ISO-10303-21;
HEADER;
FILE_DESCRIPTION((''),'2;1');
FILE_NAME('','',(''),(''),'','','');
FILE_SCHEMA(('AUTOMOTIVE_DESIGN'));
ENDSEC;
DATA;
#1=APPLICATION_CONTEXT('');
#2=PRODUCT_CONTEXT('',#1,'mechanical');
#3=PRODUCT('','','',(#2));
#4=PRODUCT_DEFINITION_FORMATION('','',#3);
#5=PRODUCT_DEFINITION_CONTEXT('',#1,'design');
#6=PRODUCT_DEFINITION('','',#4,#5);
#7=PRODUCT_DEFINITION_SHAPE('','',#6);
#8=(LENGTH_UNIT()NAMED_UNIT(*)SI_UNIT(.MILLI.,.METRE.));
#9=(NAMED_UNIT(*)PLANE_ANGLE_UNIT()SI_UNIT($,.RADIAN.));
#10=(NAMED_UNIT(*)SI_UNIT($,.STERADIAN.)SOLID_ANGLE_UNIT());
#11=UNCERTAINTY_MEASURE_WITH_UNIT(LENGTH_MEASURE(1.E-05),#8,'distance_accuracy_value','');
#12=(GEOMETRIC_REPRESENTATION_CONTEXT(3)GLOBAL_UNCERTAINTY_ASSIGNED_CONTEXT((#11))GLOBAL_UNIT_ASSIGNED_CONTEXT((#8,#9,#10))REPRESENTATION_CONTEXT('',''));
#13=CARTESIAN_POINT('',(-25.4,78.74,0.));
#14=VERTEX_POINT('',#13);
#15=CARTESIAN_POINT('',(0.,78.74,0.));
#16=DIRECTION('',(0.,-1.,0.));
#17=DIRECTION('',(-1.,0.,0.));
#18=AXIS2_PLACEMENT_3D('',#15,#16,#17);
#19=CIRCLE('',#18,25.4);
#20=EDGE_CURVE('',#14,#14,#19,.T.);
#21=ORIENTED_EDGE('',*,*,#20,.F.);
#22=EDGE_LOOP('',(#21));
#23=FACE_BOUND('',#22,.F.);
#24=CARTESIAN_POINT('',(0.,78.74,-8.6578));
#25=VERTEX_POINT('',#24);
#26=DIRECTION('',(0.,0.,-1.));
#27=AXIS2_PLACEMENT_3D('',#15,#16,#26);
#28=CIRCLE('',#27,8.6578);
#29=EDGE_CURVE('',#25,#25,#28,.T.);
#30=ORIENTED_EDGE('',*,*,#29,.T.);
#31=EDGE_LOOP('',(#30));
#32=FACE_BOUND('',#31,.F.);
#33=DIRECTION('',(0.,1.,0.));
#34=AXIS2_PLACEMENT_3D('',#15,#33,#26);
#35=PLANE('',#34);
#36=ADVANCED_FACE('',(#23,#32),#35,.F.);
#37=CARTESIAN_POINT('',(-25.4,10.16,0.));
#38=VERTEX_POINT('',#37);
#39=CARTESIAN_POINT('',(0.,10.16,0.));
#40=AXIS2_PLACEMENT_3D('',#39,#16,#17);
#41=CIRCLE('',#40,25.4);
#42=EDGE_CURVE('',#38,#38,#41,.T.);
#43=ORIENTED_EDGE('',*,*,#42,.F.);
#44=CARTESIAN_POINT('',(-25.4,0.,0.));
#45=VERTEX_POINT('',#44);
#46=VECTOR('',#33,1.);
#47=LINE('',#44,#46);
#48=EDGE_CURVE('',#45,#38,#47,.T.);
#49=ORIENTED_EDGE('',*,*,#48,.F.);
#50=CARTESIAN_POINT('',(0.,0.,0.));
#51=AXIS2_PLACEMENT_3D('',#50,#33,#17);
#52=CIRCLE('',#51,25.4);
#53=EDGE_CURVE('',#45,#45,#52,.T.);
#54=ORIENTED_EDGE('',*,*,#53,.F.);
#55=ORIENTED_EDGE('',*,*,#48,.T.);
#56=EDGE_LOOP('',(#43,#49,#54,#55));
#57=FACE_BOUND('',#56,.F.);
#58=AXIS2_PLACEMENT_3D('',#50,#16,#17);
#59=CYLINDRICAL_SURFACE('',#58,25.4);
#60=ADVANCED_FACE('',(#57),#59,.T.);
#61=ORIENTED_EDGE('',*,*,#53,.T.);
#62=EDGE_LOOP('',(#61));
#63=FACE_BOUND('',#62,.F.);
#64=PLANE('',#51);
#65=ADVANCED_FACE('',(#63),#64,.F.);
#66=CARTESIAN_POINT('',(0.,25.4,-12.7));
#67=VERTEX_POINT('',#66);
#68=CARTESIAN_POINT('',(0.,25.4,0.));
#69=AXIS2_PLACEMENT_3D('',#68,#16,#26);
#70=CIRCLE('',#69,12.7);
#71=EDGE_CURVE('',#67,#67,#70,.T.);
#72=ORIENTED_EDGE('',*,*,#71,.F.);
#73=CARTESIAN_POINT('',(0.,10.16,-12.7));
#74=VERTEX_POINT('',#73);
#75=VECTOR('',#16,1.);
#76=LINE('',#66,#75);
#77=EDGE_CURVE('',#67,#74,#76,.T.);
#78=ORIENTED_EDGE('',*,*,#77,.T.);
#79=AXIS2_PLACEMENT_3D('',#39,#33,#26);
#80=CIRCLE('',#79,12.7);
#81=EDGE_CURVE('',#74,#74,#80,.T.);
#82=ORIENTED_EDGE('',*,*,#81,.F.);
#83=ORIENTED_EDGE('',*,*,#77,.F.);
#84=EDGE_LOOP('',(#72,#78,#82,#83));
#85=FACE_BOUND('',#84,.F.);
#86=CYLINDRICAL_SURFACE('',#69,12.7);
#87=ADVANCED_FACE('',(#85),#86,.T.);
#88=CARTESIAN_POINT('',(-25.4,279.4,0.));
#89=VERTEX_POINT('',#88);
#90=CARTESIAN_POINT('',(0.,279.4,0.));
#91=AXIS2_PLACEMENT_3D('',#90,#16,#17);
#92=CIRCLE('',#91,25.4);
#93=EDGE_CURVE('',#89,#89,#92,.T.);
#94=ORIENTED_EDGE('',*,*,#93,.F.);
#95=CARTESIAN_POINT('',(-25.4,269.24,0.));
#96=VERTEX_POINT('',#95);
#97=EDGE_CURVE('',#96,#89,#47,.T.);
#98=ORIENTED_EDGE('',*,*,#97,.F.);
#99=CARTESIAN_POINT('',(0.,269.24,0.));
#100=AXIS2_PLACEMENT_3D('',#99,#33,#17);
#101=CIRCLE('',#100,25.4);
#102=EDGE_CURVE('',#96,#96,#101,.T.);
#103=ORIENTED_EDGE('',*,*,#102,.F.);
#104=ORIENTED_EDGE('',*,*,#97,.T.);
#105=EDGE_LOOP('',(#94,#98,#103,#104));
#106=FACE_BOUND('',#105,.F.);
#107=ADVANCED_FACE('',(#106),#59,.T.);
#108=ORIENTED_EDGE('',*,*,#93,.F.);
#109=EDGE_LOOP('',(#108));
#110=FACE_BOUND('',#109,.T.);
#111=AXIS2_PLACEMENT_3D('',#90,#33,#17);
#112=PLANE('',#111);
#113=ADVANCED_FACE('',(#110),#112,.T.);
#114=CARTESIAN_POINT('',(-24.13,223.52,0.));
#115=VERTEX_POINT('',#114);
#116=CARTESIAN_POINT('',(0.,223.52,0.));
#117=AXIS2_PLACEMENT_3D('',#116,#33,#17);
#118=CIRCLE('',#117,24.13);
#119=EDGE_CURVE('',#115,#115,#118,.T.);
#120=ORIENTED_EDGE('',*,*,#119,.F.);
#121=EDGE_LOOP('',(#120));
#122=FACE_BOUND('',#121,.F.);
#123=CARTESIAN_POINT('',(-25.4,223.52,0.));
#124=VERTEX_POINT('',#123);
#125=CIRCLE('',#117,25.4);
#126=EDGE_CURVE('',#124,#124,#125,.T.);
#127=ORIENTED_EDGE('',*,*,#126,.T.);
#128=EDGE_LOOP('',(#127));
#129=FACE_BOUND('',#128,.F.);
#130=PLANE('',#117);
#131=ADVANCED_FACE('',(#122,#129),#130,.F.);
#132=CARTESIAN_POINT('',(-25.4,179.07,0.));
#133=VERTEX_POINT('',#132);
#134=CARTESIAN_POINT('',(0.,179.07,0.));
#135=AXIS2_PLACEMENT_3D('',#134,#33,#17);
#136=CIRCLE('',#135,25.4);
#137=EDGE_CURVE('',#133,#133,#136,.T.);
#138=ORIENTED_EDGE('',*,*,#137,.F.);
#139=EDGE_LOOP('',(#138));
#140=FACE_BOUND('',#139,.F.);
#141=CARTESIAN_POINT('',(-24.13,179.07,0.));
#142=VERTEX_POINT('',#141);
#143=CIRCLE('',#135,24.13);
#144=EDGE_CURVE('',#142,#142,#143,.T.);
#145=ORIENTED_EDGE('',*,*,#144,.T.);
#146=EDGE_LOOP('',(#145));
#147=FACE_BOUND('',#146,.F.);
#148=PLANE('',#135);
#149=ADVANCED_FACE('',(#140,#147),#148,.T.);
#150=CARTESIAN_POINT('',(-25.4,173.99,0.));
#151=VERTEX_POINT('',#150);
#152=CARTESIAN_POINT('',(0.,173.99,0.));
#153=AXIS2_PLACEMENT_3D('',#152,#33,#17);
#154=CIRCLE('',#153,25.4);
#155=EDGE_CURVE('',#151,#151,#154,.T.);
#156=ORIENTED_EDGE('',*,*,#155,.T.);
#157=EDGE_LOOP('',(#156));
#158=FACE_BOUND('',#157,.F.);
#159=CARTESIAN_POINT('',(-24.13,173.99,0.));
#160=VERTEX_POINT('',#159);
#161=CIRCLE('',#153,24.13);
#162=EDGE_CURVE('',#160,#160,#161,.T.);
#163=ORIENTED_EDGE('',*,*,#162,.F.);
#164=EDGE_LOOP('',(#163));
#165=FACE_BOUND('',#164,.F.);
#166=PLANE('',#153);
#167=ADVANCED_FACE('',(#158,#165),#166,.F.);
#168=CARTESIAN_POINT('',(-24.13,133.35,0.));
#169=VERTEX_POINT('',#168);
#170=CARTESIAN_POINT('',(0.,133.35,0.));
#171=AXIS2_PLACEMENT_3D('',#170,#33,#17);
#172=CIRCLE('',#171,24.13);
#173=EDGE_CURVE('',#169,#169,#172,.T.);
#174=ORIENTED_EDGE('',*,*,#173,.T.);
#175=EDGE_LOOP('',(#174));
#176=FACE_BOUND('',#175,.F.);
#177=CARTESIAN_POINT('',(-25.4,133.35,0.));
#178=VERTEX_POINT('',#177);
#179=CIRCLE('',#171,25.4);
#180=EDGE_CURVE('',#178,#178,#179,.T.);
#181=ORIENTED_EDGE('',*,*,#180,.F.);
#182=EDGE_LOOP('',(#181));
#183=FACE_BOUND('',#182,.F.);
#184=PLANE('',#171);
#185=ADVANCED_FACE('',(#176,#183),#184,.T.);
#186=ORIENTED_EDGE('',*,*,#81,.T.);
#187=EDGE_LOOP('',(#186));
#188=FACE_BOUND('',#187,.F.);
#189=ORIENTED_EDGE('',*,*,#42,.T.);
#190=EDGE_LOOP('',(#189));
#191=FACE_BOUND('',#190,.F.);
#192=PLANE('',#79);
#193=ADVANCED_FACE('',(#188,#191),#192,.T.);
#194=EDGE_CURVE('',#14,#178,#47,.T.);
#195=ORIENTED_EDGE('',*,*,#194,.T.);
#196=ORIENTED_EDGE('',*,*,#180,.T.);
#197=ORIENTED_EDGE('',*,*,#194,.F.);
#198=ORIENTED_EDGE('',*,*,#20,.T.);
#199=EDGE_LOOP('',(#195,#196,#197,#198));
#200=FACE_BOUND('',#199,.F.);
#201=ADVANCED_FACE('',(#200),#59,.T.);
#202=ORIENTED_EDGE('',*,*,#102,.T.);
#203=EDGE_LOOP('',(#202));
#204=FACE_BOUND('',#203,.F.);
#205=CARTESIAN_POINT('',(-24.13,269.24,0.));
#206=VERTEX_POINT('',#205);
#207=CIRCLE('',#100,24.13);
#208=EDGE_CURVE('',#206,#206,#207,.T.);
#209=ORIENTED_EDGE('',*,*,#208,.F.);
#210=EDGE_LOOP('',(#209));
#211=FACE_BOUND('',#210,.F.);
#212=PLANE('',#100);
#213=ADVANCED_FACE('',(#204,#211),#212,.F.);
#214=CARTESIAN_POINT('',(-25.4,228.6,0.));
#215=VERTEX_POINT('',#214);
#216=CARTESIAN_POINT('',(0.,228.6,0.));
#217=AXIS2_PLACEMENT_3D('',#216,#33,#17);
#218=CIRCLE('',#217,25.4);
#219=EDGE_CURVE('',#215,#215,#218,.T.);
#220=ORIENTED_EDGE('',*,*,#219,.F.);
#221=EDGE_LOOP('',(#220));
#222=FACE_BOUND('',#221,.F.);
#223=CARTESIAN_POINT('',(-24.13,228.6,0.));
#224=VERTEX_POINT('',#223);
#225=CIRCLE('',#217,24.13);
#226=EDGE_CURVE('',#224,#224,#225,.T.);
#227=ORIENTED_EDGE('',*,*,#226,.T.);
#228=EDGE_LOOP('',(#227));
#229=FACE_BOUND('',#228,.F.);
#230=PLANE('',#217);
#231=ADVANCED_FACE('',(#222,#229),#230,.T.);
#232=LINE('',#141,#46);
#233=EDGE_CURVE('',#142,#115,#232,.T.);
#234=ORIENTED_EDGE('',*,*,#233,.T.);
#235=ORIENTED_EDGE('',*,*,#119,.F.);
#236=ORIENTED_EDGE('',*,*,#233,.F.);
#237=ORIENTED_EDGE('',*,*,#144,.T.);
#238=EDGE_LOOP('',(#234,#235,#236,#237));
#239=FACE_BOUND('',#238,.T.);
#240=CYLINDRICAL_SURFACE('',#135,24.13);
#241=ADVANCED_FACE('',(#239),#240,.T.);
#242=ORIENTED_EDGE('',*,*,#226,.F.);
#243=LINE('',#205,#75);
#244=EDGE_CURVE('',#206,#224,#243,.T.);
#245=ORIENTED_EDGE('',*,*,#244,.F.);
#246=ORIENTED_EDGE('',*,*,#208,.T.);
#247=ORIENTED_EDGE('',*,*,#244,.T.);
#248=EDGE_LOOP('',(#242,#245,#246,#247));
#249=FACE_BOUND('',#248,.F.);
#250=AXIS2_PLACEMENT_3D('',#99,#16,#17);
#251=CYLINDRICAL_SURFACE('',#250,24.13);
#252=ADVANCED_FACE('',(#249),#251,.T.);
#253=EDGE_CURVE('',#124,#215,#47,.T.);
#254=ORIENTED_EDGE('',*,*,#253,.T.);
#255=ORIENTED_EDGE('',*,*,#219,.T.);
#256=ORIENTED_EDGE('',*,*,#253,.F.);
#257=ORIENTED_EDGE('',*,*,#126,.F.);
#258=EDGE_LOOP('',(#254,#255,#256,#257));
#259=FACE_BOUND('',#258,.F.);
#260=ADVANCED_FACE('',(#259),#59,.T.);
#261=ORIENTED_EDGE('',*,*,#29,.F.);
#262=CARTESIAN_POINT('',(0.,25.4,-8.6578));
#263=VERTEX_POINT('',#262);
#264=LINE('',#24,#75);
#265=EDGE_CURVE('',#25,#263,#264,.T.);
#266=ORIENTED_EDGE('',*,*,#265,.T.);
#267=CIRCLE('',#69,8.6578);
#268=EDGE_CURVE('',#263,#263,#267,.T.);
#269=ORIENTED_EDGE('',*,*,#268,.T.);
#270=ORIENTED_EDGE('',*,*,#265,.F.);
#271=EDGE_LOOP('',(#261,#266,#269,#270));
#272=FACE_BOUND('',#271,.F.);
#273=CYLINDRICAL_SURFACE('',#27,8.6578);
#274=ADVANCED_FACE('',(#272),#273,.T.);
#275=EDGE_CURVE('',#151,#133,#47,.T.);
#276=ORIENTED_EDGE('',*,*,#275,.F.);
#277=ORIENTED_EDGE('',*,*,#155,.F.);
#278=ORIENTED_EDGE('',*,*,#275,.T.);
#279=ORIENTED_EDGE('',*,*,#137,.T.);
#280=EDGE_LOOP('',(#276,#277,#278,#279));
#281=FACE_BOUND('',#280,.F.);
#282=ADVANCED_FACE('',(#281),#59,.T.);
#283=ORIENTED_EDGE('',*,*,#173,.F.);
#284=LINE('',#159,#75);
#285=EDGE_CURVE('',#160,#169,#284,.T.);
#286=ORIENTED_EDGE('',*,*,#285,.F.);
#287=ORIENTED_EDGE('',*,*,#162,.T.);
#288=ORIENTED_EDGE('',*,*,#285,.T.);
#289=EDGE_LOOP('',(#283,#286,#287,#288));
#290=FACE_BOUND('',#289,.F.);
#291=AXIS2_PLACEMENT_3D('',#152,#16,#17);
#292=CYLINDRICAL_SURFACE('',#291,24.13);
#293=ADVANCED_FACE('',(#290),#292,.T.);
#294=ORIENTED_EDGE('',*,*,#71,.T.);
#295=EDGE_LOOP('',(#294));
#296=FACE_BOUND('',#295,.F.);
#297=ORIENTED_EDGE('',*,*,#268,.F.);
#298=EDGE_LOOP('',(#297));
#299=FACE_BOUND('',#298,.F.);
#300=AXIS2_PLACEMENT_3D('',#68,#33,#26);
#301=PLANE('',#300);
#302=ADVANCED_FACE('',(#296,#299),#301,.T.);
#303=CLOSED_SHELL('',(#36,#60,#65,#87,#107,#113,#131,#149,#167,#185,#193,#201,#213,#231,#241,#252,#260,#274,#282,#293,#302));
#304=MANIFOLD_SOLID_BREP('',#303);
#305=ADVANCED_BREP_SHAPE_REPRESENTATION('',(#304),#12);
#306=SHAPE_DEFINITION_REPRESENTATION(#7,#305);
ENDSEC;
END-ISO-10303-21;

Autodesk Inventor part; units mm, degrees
ref_plane "YZ Plane" through (0, 0, 0) normal (1, 0, 0) x (0, 1, 0)
ref_plane "XZ Plane" through (0, 0, 0) normal (0, 1, 0) x (-1, 0, 0)
ref_plane "XY Plane" through (0, 0, 0) normal (0, 0, 1) x (1, 0, 0)
sketch "Sketch1" plane through (0, 0, 0) normal (0, 1, 0) x (-1, 0, 0)
  line L0 (0, -35.56) -> (0, 35.56) projected
  line L1 (-35.56, 0) -> (35.56, 0) projected
  circle A0 centre (0, 0) radius 25.4
  dimension "d0" = 50.8
extrude "Extrusion1" add sketch "Sketch1" along normal blind 279.4
sketch "Sketch2" plane through (0, 0, 0) normal (1, 0, 0) x (0, 1, 0)
  line L0 (279.4, -25.4) -> (279.4, 25.4) projected
  line L1 (0, 25.4) -> (0, -25.4) projected
  line L2 (0, -25.4) -> (279.4, -25.4) projected
  line L3 (0, 25.4) -> (10.16, 25.4)
  line L4 (10.16, 25.4) -> (10.16, -25.4)
  line L5 (10.16, -25.4) -> (0, -25.4)
  line L6 (0, -25.4) -> (0, 25.4)
  line L7 (-5.08, 12.7) -> (25.4, 12.7)
  line L8 (25.4, 12.7) -> (25.4, -12.7)
  line L9 (25.4, -12.7) -> (-5.08, -12.7)
  line L10 (-5.08, -12.7) -> (-5.08, 12.7)
  line L11 (-5.08, 12.7) -> (25.4, -12.7) construction
  line L12 (25.4, 12.7) -> (-5.08, -12.7) construction
  line L13 (-27.94, 8.6578) -> (78.74, 8.6578)
  line L14 (78.74, 8.6578) -> (78.74, -8.6578)
  line L15 (78.74, -8.6578) -> (-27.94, -8.6578)
  line L16 (-27.94, -8.6578) -> (-27.94, 8.6578)
  line L17 (-27.94, 8.6578) -> (78.74, -8.6578) construction
  line L18 (78.74, 8.6578) -> (-27.94, -8.6578) construction
  line L19 (78.74, 25.4) -> (0, 25.4)
  line L20 (0, 25.4) -> (0, -25.4)
  line L21 (0, -25.4) -> (78.74, -25.4)
  line L22 (78.74, -25.4) -> (78.74, 25.4)
  line L23 (25.4, 8.6578) -> (78.74, 8.6578)
  line L24 (78.74, 8.6578) -> (78.74, 25.4)
  line L25 (78.74, 25.4) -> (25.4, 25.4)
  line L26 (25.4, 25.4) -> (25.4, 8.6578)
  line L27 (10.16, 12.7) -> (25.4, 12.7)
  line L28 (25.4, 12.7) -> (25.4, 25.4)
  line L29 (25.4, 25.4) -> (10.16, 25.4)
  line L30 (10.16, 25.4) -> (10.16, 12.7)
  line L31 (10.16, -12.7) -> (25.4, -12.7)
  line L32 (25.4, -12.7) -> (25.4, -25.4)
  line L33 (25.4, -25.4) -> (10.16, -25.4)
  line L34 (10.16, -25.4) -> (10.16, -12.7)
  line L35 (25.4, -8.6578) -> (78.74, -8.6578)
  line L36 (78.74, -8.6578) -> (78.74, -25.4)
  line L37 (78.74, -25.4) -> (25.4, -25.4)
  line L38 (25.4, -25.4) -> (25.4, -8.6578)
  line L39 (-89.408, 0) -> (340.868, 0) projected
  point P0 (0, 0)
  point P1 (10.16, 0)
  point P2 (25.4, 0)
  dimension "d3" = 10.16
  dimension "d4" = 30.48
  dimension "d5" = 25.4
  dimension "d6" = 106.68
revolve "Revolution1" cut sketch "Sketch2" angle 360 about axis through (0, -10, 0) along (0, 1, 0) contours L2 L32 L8 L15 L22 | L2 L4 L9 L32 | L13 L8 L26 L19 L22 | L7 L4 L19 L26
sketch "Sketch3" plane through (0, 0, 0) normal (0, 0, 1) x (1, 0, 0)
  line L0 (25.4, 78.74) -> (-25.4, 78.74) projected
  line L1 (25.4, 78.74) -> (-25.4, 78.74) projected
  line L2 (25.4, 279.4) -> (-25.4, 279.4) projected
  line L3 (-25.4, 78.74) -> (25.4, 78.74)
  line L4 (25.4, 78.74) -> (25.4, 279.4)
  line L5 (25.4, 279.4) -> (-25.4, 279.4)
  line L6 (-25.4, 279.4) -> (-25.4, 78.74)
  line L7 (-25.4, 78.74) -> (-25.4, 279.4) projected
  line L8 (25.4, 279.4) -> (-25.4, 279.4)
  line L9 (-25.4, 279.4) -> (-25.4, 269.24)
  line L10 (-25.4, 269.24) -> (25.4, 269.24)
  line L11 (25.4, 269.24) -> (25.4, 279.4)
  line L12 (25.4, 78.74) -> (25.4, 279.4) projected
  line L13 (-25.4, 269.24) -> (25.4, 269.24)
  line L14 (25.4, 269.24) -> (25.4, 228.6)
  line L15 (25.4, 228.6) -> (-25.4, 228.6)
  line L16 (-25.4, 228.6) -> (-25.4, 269.24)
  line L17 (25.4, 228.6) -> (-25.4, 228.6)
  line L18 (-25.4, 228.6) -> (-25.4, 223.52)
  line L19 (-25.4, 223.52) -> (25.4, 223.52)
  line L20 (25.4, 223.52) -> (25.4, 228.6)
  line L21 (-25.4, 223.52) -> (15.24, 223.52)
  line L22 (15.24, 223.52) -> (15.24, 179.07)
  line L23 (15.24, 179.07) -> (-25.4, 179.07)
  line L24 (-25.4, 179.07) -> (-25.4, 223.52)
  line L25 (25.4, 179.07) -> (-25.4, 179.07)
  line L26 (-25.4, 179.07) -> (-25.4, 173.99)
  line L27 (-25.4, 173.99) -> (25.4, 173.99)
  line L28 (25.4, 173.99) -> (25.4, 179.07)
  line L29 (-25.4, 173.99) -> (25.4, 173.99)
  line L30 (25.4, 173.99) -> (25.4, 133.35)
  line L31 (25.4, 133.35) -> (-25.4, 133.35)
  line L32 (-25.4, 133.35) -> (-25.4, 173.99)
  line L33 (0, 269.24) -> (-24.13, 269.24)
  line L34 (-24.13, 269.24) -> (-24.13, 228.6)
  line L35 (-24.13, 228.6) -> (0, 228.6)
  line L36 (0, 228.6) -> (0, 269.24)
  line L37 (-25.4, 228.6) -> (-24.13, 228.6)
  line L38 (-24.13, 228.6) -> (-24.13, 269.24)
  line L39 (-24.13, 269.24) -> (-25.4, 269.24)
  line L40 (-25.4, 269.24) -> (-25.4, 228.6)
  line L41 (-25.4, 179.07) -> (-24.13, 179.07)
  line L42 (-24.13, 179.07) -> (-24.13, 223.52)
  line L43 (-24.13, 223.52) -> (-25.4, 223.52)
  line L44 (-25.4, 223.52) -> (-25.4, 179.07)
  line L45 (-25.4, 173.99) -> (-24.13, 173.99)
  line L46 (-24.13, 173.99) -> (-24.13, 133.35)
  line L47 (-24.13, 133.35) -> (-25.4, 133.35)
  line L48 (-25.4, 133.35) -> (-25.4, 173.99)
  point P0 (0, 0)
  dimension "d8" = 10.16
  dimension "d9" = 40.64
  dimension "d10" = 5.08
  dimension "d11" = 40.64
  dimension "d12" = 5.08
  dimension "d13" = 40.64
  dimension "d14" = 24.13
  dimension "d15" = 1.27
  dimension "d16" = 1.27
  dimension "d17" = 40.64
revolve "Revolution2" cut sketch "Sketch3" angle 360 about axis through (0, 228.6, 0) along (0, 1, 0) contours L6 L27 L46 L31 | L6 L19 L42 L23 | L6 L10 L34 L15
properties part number "TowerLight" material "UHMW, White"
